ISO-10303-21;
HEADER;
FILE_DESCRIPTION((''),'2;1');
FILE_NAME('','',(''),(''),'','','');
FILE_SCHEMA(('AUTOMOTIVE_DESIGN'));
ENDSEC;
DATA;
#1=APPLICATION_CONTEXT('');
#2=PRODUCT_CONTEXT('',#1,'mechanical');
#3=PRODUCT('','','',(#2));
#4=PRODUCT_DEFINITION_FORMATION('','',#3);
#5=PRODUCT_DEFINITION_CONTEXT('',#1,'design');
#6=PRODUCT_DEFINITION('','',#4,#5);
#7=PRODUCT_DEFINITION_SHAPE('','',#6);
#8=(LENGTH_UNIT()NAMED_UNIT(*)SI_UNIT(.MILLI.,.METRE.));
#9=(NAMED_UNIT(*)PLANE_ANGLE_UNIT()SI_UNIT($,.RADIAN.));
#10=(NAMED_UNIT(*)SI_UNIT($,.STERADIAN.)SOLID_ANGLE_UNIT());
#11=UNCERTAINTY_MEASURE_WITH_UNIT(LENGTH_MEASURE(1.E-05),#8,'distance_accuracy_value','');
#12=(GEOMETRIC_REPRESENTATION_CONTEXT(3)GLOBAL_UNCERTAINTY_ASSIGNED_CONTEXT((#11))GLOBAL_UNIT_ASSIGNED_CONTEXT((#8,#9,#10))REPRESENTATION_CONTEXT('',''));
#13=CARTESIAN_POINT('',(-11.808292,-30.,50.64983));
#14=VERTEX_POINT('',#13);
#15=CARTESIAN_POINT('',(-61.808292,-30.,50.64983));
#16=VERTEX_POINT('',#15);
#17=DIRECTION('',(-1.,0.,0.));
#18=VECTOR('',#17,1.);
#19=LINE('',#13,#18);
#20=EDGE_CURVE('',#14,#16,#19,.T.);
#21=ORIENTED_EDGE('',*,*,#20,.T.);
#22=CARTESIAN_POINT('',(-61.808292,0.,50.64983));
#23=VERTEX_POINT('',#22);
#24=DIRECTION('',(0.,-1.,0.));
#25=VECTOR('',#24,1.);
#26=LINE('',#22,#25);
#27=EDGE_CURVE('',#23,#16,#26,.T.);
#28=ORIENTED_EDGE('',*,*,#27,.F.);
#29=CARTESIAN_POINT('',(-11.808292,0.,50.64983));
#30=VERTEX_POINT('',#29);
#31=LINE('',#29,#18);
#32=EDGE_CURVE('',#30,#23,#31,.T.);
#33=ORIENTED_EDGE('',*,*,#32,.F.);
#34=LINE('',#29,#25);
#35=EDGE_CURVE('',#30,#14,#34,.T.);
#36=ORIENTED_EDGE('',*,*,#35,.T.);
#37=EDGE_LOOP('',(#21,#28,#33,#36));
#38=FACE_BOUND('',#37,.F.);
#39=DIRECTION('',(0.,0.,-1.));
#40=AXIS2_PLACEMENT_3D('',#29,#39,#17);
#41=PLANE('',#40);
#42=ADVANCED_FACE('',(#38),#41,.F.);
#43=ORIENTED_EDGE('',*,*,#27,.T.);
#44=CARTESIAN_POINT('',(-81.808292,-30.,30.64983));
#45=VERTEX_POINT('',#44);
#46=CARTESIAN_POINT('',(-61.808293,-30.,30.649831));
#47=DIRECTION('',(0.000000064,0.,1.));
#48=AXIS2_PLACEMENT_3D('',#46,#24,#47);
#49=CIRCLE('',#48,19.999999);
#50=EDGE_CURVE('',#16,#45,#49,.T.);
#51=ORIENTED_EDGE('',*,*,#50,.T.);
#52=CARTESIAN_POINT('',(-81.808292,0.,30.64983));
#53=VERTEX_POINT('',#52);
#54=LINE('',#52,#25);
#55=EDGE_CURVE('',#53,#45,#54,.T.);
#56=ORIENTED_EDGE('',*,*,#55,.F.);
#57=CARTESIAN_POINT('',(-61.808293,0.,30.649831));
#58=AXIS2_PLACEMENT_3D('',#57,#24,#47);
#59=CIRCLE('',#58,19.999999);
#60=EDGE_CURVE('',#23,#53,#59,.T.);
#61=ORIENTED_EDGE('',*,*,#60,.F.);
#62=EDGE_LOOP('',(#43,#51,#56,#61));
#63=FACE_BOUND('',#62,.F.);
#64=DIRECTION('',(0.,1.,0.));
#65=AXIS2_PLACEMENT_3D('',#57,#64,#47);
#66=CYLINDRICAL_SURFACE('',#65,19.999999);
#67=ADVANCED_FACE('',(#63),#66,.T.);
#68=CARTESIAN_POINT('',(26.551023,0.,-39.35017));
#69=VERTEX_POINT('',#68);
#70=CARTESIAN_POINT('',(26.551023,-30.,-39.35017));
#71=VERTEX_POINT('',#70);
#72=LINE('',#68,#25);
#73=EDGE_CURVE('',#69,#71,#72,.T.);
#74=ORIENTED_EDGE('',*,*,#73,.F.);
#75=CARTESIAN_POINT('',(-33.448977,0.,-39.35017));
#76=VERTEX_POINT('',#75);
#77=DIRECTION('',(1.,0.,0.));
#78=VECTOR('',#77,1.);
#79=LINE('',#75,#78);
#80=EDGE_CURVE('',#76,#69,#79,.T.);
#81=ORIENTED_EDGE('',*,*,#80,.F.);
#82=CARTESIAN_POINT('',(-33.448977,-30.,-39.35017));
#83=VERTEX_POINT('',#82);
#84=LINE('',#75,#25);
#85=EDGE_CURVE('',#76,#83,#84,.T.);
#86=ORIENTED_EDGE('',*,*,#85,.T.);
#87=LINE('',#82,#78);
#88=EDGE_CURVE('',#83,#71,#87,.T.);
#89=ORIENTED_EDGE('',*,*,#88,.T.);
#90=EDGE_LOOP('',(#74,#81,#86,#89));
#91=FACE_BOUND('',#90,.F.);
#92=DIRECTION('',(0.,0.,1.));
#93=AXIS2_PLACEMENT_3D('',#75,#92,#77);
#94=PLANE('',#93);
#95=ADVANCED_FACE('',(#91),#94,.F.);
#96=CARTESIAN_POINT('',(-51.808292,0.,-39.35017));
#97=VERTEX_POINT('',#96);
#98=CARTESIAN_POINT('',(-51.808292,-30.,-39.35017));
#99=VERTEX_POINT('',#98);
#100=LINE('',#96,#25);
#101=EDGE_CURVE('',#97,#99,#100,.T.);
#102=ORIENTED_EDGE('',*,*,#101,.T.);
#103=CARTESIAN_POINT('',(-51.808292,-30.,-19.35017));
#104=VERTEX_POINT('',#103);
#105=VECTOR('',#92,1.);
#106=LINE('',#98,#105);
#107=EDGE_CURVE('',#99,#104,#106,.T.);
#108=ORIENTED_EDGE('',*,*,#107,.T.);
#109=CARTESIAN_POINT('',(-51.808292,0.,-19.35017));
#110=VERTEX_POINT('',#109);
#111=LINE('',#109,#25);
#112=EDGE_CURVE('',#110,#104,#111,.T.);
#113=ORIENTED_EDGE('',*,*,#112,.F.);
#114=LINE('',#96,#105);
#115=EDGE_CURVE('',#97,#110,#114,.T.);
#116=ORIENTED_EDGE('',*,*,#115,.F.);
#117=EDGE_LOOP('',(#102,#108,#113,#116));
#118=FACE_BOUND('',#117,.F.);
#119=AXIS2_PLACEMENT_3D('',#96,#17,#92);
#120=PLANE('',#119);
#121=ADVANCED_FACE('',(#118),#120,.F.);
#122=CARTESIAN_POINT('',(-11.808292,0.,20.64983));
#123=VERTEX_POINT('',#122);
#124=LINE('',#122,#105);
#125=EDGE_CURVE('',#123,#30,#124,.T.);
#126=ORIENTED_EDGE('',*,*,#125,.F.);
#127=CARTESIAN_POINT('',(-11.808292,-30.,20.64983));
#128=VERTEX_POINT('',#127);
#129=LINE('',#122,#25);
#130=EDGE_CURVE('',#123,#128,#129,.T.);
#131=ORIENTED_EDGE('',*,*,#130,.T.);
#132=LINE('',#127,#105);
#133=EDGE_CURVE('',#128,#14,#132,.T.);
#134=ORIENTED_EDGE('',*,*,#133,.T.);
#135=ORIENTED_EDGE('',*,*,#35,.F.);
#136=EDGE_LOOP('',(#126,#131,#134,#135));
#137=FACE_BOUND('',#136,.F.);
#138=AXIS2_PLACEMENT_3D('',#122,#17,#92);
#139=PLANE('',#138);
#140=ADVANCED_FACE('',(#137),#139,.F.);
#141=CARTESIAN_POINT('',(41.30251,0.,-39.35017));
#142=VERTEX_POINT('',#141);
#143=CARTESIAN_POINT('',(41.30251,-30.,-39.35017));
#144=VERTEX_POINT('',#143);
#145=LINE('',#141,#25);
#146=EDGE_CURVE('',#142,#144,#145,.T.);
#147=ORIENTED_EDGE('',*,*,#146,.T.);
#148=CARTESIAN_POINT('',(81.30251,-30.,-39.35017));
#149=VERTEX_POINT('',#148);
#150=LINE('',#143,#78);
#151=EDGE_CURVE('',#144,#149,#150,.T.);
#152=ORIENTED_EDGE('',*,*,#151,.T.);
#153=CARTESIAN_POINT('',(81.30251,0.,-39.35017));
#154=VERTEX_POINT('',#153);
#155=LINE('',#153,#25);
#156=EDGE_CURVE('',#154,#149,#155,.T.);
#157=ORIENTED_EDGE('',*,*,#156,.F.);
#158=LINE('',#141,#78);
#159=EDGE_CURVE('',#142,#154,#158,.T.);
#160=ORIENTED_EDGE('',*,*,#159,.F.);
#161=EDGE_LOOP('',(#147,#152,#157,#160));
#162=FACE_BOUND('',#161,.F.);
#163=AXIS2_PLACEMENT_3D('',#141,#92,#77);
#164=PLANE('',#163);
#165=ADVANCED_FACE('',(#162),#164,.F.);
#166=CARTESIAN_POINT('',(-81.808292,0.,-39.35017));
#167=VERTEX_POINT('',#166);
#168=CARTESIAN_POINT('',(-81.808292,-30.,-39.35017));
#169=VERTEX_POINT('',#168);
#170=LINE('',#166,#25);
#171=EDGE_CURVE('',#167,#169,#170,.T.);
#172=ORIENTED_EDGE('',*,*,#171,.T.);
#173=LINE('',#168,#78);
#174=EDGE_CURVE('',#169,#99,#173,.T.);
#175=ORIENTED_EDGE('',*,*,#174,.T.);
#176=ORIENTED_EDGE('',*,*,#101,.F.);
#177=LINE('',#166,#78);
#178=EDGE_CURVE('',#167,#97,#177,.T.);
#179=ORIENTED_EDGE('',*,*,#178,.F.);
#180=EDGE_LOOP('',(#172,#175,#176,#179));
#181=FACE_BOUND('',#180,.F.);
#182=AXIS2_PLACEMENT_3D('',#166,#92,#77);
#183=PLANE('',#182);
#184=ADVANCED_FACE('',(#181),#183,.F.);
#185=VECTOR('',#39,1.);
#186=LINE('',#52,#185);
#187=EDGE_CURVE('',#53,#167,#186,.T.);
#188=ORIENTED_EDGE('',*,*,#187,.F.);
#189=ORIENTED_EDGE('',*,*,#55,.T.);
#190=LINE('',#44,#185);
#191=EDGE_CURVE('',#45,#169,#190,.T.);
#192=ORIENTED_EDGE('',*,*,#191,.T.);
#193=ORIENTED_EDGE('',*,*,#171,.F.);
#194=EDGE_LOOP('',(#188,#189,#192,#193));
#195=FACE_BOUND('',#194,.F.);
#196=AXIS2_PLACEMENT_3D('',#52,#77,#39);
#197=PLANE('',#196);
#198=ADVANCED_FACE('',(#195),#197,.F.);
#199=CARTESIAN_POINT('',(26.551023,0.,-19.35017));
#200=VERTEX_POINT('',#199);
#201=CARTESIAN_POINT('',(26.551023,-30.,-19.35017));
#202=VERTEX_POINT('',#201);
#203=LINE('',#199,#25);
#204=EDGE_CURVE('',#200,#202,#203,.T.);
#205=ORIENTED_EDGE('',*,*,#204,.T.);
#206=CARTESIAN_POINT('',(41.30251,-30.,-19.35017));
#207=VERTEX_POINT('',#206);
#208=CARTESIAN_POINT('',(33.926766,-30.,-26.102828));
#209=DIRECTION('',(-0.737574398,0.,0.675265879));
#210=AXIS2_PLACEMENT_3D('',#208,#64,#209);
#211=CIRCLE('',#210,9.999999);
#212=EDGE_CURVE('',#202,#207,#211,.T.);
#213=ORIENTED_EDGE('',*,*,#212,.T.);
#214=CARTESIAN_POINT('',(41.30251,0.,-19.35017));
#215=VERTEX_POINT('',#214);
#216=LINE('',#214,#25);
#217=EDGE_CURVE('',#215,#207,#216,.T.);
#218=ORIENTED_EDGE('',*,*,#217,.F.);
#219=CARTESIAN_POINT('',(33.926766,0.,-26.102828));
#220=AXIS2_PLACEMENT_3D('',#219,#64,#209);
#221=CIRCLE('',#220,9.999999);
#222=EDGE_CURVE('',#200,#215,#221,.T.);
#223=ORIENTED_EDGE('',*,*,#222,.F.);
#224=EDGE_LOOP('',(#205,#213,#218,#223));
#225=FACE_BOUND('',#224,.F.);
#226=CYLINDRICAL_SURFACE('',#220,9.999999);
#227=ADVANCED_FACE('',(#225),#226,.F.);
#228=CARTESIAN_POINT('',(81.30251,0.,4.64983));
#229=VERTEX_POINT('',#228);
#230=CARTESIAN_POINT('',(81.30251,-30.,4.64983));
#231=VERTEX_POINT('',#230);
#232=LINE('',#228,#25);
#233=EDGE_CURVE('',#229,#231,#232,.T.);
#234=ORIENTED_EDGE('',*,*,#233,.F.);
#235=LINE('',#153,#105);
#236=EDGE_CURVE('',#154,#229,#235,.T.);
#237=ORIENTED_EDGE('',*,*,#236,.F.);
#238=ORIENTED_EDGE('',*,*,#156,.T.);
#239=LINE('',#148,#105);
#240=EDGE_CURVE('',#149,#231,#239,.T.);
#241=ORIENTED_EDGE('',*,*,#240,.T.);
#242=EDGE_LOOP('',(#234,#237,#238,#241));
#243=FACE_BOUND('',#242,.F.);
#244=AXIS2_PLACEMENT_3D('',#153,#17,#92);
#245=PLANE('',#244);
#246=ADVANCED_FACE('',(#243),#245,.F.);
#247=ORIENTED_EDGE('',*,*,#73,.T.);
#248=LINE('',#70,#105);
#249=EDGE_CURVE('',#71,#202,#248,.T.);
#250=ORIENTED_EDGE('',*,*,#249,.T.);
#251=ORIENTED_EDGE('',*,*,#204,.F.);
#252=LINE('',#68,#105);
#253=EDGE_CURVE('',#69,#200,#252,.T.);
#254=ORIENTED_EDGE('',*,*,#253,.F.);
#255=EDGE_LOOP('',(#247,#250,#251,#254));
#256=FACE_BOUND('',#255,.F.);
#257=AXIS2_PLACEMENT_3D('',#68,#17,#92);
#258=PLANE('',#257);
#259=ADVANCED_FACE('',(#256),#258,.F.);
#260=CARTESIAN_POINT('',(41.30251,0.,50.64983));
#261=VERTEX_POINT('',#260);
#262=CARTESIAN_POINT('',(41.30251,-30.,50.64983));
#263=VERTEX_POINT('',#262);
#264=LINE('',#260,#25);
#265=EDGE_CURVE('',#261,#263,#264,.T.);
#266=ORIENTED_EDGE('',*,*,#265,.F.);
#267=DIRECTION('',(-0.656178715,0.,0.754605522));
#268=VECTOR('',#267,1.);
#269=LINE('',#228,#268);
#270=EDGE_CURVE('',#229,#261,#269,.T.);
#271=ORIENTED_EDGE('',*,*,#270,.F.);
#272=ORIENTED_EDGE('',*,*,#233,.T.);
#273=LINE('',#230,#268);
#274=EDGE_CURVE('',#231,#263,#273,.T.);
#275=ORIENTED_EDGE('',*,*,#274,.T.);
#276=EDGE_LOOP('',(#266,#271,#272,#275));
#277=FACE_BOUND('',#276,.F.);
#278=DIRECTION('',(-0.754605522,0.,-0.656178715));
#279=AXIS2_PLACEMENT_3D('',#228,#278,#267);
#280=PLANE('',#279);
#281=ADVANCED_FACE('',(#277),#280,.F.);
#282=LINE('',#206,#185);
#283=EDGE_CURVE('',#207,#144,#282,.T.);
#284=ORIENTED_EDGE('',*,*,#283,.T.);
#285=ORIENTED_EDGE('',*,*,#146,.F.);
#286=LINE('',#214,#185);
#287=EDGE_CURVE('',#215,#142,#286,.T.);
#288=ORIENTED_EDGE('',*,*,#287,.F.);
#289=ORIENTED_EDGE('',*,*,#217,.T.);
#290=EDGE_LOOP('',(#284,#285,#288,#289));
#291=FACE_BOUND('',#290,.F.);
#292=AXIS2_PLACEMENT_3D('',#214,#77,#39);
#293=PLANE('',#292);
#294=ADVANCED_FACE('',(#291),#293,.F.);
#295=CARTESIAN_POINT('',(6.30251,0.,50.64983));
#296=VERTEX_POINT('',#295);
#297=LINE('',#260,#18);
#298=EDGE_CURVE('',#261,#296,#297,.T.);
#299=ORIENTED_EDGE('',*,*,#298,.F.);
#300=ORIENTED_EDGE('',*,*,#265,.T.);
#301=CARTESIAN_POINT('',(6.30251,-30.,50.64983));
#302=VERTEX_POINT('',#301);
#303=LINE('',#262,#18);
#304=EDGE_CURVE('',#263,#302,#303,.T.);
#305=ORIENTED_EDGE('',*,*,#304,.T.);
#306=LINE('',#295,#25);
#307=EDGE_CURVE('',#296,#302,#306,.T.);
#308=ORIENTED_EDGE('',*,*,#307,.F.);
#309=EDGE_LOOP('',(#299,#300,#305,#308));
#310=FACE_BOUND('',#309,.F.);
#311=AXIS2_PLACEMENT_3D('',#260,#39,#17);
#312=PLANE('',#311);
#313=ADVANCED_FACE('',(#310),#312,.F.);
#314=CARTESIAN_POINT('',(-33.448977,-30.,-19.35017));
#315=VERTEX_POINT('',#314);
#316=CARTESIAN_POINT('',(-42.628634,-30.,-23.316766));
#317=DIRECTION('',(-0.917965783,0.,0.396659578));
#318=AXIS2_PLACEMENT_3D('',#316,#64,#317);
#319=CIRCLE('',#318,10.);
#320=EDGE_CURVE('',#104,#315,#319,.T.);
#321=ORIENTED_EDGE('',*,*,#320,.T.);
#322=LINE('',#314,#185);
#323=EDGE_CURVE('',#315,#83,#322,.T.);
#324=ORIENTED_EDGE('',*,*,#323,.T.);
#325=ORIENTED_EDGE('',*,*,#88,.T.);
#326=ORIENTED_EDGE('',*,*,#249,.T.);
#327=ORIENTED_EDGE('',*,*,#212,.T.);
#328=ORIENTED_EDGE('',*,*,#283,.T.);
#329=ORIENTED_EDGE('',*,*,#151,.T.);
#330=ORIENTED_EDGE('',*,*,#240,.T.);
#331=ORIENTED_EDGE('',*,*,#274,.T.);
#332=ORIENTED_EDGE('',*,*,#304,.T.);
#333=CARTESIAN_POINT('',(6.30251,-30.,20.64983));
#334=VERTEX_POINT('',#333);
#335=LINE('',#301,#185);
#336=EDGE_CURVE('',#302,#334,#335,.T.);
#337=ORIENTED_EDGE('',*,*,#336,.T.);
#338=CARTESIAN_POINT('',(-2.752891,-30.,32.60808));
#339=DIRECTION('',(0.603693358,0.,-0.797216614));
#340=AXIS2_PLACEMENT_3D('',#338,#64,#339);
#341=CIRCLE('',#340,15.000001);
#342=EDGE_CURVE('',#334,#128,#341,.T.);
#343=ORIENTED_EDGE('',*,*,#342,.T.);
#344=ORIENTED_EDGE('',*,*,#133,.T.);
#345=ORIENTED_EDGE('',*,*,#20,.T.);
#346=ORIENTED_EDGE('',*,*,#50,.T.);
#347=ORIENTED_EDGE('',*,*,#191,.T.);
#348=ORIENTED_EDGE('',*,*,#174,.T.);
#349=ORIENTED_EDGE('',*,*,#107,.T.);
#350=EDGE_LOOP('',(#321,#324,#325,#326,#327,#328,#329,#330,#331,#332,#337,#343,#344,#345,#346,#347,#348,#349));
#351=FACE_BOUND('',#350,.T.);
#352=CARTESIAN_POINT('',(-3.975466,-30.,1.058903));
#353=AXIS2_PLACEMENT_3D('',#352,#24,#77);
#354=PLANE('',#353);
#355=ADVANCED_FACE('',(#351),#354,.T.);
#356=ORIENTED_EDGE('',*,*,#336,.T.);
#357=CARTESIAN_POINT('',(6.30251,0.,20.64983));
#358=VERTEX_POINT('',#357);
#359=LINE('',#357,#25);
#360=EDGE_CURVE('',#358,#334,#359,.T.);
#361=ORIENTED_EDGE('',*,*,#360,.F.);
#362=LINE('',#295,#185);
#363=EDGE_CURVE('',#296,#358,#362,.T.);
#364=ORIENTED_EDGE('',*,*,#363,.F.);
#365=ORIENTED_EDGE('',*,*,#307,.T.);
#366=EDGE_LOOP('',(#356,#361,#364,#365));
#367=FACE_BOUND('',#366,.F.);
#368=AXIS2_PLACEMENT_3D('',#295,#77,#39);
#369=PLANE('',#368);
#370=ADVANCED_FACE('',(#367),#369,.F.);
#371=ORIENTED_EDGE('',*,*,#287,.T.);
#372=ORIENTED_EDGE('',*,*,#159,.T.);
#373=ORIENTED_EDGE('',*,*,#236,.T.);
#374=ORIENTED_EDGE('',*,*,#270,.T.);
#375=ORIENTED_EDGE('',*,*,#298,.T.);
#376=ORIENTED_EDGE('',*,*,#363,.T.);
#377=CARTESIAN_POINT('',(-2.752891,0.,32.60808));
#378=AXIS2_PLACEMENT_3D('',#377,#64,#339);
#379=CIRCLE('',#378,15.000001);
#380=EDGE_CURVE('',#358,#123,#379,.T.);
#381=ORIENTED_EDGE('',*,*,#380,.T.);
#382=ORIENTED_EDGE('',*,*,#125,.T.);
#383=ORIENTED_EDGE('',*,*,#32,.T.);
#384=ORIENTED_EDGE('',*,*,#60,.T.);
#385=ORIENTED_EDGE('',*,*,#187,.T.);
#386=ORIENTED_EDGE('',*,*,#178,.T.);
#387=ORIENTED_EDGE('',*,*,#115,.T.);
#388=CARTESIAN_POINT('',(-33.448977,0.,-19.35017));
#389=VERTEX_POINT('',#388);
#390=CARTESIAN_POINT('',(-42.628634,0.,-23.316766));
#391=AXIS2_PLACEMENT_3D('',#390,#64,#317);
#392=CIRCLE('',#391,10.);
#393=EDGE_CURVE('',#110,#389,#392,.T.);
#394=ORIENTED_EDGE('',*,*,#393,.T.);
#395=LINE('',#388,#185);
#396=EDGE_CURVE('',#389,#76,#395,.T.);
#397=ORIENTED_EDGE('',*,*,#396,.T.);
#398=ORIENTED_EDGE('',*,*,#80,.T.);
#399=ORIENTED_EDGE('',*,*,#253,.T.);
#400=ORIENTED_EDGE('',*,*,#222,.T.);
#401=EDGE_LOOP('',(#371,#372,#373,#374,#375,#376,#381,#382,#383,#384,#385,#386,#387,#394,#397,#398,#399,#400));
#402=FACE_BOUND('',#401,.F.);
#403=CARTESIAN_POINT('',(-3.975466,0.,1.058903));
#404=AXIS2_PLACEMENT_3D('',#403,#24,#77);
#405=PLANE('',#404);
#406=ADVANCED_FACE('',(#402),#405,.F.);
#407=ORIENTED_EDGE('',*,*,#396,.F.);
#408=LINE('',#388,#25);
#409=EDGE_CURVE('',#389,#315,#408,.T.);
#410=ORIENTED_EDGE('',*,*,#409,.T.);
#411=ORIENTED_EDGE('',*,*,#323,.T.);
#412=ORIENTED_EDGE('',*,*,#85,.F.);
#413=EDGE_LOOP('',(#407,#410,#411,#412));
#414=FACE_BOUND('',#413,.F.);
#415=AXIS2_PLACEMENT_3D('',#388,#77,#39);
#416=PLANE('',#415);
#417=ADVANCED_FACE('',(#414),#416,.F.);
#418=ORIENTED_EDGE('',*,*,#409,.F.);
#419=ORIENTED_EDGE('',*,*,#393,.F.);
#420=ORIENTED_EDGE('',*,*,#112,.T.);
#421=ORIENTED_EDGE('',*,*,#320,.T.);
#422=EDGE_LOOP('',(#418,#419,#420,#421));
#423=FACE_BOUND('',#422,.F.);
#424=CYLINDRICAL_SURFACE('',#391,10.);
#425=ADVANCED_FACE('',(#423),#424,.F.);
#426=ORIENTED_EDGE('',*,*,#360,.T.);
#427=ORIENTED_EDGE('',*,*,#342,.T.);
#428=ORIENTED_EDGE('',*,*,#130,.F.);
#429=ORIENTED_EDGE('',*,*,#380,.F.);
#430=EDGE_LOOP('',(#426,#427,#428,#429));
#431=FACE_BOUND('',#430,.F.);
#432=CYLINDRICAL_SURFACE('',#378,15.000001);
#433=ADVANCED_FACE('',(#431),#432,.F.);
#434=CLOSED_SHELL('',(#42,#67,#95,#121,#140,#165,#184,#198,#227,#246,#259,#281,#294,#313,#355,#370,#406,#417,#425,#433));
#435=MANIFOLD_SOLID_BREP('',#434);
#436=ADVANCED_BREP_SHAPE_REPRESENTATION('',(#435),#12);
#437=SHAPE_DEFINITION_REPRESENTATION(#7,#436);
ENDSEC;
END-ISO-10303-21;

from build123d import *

# Parameters (mm, degrees)
F1_DEPTH = 30


with BuildPart() as f1:
    # F0 (on Front) → F1 (new body)
    with BuildSketch(Plane.XZ):
        with BuildLine():
            Line((-11.808292, 20.64983), (-11.808292, 50.64983))
            Line((-11.808292, 50.64983), (-61.808292, 50.64983))
            ThreePointArc((-61.808292, 50.64983), (-75.950428, 44.791966), (-81.808292, 30.64983))
            Line((-81.808292, 30.64983), (-81.808292, -39.35017))
            Line((-81.808292, -39.35017), (-51.808292, -39.35017))
            Line((-51.808292, -39.35017), (-51.808292, -19.35017))
            ThreePointArc((-51.808292, -19.35017), (-42.628635, -13.316766), (-33.448977, -19.35017))
            Line((-33.448977, -19.35017), (-33.448977, -39.35017))
            Line((-33.448977, -39.35017), (26.551023, -39.35017))
            Line((26.551023, -39.35017), (26.551023, -19.35017))
            ThreePointArc((26.551023, -19.35017), (33.926767, -16.102829), (41.30251, -19.35017))
            Line((41.30251, -19.35017), (41.30251, -39.35017))
            Line((41.30251, -39.35017), (81.30251, -39.35017))
            Line((81.30251, -39.35017), (81.30251, 4.64983))
            Line((81.30251, 4.64983), (41.30251, 50.64983))
            Line((41.30251, 50.64983), (6.30251, 50.64983))
            Line((6.30251, 50.64983), (6.30251, 20.64983))
            ThreePointArc((6.30251, 20.64983), (-2.752891, 17.608079), (-11.808292, 20.64983))
        make_face()
    extrude(amount=F1_DEPTH)


solid = f1.part
